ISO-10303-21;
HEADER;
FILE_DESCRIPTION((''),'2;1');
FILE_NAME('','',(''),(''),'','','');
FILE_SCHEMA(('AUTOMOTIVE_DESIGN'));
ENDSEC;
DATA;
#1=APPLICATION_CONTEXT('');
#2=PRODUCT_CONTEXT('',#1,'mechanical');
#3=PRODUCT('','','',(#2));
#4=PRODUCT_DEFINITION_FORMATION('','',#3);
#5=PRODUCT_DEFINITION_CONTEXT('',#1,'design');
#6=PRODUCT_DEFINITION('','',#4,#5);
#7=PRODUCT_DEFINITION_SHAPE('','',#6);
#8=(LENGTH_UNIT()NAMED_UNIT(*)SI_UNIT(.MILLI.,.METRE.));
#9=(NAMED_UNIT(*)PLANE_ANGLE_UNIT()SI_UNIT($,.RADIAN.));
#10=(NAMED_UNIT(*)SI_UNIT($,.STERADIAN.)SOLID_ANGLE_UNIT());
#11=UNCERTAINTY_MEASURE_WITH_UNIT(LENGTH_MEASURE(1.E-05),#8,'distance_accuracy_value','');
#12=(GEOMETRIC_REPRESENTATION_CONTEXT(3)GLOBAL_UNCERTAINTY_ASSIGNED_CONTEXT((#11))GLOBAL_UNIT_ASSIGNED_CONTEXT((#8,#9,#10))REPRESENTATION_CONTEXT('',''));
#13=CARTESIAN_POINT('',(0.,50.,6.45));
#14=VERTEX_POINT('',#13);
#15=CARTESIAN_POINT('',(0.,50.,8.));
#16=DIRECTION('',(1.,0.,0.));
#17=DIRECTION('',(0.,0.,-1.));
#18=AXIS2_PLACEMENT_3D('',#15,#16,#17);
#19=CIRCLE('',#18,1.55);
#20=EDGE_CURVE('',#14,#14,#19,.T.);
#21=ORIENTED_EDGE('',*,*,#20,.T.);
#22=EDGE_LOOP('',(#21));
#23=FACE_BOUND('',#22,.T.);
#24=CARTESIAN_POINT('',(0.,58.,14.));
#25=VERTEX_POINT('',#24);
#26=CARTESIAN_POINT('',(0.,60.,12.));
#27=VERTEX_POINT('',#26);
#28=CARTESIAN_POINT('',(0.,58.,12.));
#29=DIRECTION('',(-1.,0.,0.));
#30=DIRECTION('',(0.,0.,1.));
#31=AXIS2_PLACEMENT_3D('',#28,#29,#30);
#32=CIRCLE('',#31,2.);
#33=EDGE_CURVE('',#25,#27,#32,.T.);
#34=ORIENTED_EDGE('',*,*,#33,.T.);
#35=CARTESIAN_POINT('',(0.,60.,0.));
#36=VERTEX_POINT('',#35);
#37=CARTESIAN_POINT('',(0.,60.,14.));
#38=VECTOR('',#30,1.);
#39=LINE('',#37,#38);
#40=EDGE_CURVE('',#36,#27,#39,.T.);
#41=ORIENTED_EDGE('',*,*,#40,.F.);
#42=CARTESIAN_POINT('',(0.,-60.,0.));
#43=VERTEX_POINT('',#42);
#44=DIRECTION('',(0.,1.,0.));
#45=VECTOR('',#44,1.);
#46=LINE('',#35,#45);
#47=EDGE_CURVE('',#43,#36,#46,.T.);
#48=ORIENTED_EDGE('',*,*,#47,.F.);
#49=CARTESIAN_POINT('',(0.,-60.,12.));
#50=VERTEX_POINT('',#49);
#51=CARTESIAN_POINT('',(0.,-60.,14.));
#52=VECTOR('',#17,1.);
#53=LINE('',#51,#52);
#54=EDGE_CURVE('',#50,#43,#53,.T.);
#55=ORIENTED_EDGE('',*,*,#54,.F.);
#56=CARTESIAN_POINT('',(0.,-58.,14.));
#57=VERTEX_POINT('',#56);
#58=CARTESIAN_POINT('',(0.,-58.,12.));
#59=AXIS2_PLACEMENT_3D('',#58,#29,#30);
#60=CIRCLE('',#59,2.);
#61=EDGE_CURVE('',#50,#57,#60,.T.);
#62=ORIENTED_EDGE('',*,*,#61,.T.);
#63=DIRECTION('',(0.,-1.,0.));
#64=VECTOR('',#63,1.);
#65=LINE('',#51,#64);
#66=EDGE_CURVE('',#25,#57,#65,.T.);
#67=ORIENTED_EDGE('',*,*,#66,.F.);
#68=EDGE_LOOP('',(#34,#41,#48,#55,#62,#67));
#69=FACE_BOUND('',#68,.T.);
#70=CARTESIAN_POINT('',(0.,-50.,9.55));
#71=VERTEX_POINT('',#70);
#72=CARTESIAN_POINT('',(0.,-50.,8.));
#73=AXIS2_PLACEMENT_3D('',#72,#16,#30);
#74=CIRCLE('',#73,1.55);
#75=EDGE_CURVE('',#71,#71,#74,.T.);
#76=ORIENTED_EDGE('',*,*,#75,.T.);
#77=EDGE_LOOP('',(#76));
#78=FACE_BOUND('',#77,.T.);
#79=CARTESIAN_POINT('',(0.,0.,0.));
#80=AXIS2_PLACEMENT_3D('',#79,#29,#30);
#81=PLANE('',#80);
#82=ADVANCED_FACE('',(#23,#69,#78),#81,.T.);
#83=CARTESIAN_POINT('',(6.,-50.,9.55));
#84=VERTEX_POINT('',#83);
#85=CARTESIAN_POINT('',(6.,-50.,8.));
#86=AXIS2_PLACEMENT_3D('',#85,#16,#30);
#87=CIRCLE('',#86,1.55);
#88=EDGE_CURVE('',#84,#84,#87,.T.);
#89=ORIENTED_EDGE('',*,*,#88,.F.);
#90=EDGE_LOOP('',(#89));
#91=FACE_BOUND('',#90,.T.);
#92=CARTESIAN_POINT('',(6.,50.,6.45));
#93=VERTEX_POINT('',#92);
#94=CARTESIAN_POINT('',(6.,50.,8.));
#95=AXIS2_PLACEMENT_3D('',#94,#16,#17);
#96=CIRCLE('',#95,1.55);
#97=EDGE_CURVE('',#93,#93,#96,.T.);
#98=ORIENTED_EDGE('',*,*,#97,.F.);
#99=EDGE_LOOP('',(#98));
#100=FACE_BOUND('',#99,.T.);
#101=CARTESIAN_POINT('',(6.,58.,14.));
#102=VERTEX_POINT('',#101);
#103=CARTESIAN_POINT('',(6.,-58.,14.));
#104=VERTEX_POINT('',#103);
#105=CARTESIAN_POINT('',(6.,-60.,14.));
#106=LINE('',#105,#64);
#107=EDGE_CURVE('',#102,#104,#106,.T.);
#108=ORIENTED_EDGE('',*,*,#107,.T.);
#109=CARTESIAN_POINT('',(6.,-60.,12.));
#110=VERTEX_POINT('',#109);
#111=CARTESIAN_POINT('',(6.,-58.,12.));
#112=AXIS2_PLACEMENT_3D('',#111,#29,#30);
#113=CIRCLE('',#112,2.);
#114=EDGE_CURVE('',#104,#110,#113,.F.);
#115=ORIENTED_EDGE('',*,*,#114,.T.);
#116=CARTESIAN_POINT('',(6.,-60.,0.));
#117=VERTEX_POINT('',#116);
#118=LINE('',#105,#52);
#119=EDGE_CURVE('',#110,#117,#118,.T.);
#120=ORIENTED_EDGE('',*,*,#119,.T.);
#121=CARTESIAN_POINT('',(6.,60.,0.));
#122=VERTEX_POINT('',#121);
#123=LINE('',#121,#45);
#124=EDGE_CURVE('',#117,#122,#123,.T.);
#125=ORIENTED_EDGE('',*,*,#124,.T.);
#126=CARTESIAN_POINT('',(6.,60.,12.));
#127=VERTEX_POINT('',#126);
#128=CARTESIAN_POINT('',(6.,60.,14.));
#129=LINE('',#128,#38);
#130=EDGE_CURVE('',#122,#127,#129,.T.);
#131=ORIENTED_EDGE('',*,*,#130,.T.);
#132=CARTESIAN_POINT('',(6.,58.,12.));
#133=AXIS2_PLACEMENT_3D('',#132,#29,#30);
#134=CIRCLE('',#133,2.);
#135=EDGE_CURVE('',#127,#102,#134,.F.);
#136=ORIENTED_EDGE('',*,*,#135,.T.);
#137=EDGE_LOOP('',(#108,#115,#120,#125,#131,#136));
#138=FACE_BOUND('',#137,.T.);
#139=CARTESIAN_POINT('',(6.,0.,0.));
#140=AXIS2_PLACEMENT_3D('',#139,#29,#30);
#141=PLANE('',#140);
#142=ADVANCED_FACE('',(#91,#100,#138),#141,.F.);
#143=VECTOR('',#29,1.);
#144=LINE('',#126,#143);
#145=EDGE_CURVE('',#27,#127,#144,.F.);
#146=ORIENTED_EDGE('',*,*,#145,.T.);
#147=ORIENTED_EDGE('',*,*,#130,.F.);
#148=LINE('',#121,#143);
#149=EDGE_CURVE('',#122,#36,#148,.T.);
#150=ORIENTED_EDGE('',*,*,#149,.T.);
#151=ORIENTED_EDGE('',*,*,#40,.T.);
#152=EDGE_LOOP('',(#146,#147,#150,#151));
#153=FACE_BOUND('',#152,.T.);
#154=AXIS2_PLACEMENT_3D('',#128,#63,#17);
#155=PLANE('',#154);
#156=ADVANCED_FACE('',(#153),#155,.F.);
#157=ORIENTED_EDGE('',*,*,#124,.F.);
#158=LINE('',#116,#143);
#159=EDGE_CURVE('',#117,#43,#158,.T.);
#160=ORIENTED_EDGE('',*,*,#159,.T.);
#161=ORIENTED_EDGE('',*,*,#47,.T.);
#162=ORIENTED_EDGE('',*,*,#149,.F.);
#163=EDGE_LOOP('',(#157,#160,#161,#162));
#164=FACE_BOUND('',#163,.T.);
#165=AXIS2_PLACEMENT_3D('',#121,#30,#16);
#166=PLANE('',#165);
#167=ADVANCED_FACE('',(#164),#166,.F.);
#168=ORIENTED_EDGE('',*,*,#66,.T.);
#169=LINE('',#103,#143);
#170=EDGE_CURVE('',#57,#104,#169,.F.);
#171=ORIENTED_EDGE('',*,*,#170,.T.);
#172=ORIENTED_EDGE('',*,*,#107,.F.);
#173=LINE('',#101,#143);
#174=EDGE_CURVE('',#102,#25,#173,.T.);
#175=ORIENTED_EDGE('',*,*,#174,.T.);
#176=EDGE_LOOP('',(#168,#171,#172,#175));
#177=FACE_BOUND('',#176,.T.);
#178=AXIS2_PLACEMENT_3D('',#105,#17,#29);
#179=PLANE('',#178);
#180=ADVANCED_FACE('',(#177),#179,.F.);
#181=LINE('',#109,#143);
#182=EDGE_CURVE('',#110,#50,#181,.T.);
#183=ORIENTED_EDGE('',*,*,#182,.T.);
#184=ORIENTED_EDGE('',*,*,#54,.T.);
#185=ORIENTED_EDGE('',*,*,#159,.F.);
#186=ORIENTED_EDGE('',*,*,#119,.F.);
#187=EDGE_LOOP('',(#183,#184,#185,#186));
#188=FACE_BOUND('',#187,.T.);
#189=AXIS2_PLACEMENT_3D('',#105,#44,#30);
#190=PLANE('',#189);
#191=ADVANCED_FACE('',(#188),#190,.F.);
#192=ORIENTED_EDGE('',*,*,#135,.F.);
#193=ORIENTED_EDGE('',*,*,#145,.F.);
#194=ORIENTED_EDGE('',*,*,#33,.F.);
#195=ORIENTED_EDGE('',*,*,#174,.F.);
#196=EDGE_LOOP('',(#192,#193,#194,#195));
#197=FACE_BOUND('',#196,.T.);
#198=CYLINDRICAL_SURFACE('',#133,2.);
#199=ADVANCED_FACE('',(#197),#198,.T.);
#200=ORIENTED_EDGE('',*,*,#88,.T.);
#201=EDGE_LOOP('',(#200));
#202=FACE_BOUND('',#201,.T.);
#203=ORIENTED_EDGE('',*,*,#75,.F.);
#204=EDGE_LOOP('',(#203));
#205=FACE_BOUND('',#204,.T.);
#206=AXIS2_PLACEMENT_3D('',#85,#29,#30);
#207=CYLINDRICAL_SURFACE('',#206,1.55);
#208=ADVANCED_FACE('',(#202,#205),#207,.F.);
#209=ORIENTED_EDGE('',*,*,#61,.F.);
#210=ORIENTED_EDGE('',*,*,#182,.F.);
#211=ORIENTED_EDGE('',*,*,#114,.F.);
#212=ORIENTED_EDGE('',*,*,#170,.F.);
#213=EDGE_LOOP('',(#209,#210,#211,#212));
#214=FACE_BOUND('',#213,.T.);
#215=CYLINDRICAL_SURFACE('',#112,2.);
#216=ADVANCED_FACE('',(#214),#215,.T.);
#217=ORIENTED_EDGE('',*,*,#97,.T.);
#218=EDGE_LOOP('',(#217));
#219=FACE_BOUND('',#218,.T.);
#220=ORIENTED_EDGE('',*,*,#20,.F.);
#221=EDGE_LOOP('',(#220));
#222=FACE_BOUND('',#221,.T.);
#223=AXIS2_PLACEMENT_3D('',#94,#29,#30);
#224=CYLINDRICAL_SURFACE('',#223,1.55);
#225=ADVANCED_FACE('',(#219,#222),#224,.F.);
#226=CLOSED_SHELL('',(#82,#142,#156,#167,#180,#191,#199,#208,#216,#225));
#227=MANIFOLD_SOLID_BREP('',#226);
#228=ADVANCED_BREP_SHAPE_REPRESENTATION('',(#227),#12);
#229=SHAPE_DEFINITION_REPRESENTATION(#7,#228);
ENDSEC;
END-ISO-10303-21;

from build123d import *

# Parameters (mm, degrees)
SKETCH1_W           = 14
SKETCH1_H           = 120
SKETCH1_R           = 1.55
BOSS_EXTRUDE1_DEPTH = 6
FILLET1_R           = 2


with BuildPart() as part:
    # Sketch1 → Boss-Extrude1 (new body)
    with BuildSketch(Plane(origin=(0, 0, 0), x_dir=(0, 0, -1), z_dir=(1, 0, 0))):
        with Locations((-7, 0)):
            Rectangle(SKETCH1_W, SKETCH1_H)
        with Locations((-8, 50)):
            Circle(SKETCH1_R, mode=Mode.SUBTRACT)
        with Locations(Location((-8, -50, 0), (0, 0, 180))):
            Circle(SKETCH1_R, mode=Mode.SUBTRACT)
    extrude(amount=BOSS_EXTRUDE1_DEPTH)

    # Fillet1
    fillet1_edges = [part.edges().sort_by_distance(p)[0] for p in [
        (3, -60, 14),
        (3, 60, 14),
    ]]
    fillet(fillet1_edges, radius=FILLET1_R)


solid = part.part
